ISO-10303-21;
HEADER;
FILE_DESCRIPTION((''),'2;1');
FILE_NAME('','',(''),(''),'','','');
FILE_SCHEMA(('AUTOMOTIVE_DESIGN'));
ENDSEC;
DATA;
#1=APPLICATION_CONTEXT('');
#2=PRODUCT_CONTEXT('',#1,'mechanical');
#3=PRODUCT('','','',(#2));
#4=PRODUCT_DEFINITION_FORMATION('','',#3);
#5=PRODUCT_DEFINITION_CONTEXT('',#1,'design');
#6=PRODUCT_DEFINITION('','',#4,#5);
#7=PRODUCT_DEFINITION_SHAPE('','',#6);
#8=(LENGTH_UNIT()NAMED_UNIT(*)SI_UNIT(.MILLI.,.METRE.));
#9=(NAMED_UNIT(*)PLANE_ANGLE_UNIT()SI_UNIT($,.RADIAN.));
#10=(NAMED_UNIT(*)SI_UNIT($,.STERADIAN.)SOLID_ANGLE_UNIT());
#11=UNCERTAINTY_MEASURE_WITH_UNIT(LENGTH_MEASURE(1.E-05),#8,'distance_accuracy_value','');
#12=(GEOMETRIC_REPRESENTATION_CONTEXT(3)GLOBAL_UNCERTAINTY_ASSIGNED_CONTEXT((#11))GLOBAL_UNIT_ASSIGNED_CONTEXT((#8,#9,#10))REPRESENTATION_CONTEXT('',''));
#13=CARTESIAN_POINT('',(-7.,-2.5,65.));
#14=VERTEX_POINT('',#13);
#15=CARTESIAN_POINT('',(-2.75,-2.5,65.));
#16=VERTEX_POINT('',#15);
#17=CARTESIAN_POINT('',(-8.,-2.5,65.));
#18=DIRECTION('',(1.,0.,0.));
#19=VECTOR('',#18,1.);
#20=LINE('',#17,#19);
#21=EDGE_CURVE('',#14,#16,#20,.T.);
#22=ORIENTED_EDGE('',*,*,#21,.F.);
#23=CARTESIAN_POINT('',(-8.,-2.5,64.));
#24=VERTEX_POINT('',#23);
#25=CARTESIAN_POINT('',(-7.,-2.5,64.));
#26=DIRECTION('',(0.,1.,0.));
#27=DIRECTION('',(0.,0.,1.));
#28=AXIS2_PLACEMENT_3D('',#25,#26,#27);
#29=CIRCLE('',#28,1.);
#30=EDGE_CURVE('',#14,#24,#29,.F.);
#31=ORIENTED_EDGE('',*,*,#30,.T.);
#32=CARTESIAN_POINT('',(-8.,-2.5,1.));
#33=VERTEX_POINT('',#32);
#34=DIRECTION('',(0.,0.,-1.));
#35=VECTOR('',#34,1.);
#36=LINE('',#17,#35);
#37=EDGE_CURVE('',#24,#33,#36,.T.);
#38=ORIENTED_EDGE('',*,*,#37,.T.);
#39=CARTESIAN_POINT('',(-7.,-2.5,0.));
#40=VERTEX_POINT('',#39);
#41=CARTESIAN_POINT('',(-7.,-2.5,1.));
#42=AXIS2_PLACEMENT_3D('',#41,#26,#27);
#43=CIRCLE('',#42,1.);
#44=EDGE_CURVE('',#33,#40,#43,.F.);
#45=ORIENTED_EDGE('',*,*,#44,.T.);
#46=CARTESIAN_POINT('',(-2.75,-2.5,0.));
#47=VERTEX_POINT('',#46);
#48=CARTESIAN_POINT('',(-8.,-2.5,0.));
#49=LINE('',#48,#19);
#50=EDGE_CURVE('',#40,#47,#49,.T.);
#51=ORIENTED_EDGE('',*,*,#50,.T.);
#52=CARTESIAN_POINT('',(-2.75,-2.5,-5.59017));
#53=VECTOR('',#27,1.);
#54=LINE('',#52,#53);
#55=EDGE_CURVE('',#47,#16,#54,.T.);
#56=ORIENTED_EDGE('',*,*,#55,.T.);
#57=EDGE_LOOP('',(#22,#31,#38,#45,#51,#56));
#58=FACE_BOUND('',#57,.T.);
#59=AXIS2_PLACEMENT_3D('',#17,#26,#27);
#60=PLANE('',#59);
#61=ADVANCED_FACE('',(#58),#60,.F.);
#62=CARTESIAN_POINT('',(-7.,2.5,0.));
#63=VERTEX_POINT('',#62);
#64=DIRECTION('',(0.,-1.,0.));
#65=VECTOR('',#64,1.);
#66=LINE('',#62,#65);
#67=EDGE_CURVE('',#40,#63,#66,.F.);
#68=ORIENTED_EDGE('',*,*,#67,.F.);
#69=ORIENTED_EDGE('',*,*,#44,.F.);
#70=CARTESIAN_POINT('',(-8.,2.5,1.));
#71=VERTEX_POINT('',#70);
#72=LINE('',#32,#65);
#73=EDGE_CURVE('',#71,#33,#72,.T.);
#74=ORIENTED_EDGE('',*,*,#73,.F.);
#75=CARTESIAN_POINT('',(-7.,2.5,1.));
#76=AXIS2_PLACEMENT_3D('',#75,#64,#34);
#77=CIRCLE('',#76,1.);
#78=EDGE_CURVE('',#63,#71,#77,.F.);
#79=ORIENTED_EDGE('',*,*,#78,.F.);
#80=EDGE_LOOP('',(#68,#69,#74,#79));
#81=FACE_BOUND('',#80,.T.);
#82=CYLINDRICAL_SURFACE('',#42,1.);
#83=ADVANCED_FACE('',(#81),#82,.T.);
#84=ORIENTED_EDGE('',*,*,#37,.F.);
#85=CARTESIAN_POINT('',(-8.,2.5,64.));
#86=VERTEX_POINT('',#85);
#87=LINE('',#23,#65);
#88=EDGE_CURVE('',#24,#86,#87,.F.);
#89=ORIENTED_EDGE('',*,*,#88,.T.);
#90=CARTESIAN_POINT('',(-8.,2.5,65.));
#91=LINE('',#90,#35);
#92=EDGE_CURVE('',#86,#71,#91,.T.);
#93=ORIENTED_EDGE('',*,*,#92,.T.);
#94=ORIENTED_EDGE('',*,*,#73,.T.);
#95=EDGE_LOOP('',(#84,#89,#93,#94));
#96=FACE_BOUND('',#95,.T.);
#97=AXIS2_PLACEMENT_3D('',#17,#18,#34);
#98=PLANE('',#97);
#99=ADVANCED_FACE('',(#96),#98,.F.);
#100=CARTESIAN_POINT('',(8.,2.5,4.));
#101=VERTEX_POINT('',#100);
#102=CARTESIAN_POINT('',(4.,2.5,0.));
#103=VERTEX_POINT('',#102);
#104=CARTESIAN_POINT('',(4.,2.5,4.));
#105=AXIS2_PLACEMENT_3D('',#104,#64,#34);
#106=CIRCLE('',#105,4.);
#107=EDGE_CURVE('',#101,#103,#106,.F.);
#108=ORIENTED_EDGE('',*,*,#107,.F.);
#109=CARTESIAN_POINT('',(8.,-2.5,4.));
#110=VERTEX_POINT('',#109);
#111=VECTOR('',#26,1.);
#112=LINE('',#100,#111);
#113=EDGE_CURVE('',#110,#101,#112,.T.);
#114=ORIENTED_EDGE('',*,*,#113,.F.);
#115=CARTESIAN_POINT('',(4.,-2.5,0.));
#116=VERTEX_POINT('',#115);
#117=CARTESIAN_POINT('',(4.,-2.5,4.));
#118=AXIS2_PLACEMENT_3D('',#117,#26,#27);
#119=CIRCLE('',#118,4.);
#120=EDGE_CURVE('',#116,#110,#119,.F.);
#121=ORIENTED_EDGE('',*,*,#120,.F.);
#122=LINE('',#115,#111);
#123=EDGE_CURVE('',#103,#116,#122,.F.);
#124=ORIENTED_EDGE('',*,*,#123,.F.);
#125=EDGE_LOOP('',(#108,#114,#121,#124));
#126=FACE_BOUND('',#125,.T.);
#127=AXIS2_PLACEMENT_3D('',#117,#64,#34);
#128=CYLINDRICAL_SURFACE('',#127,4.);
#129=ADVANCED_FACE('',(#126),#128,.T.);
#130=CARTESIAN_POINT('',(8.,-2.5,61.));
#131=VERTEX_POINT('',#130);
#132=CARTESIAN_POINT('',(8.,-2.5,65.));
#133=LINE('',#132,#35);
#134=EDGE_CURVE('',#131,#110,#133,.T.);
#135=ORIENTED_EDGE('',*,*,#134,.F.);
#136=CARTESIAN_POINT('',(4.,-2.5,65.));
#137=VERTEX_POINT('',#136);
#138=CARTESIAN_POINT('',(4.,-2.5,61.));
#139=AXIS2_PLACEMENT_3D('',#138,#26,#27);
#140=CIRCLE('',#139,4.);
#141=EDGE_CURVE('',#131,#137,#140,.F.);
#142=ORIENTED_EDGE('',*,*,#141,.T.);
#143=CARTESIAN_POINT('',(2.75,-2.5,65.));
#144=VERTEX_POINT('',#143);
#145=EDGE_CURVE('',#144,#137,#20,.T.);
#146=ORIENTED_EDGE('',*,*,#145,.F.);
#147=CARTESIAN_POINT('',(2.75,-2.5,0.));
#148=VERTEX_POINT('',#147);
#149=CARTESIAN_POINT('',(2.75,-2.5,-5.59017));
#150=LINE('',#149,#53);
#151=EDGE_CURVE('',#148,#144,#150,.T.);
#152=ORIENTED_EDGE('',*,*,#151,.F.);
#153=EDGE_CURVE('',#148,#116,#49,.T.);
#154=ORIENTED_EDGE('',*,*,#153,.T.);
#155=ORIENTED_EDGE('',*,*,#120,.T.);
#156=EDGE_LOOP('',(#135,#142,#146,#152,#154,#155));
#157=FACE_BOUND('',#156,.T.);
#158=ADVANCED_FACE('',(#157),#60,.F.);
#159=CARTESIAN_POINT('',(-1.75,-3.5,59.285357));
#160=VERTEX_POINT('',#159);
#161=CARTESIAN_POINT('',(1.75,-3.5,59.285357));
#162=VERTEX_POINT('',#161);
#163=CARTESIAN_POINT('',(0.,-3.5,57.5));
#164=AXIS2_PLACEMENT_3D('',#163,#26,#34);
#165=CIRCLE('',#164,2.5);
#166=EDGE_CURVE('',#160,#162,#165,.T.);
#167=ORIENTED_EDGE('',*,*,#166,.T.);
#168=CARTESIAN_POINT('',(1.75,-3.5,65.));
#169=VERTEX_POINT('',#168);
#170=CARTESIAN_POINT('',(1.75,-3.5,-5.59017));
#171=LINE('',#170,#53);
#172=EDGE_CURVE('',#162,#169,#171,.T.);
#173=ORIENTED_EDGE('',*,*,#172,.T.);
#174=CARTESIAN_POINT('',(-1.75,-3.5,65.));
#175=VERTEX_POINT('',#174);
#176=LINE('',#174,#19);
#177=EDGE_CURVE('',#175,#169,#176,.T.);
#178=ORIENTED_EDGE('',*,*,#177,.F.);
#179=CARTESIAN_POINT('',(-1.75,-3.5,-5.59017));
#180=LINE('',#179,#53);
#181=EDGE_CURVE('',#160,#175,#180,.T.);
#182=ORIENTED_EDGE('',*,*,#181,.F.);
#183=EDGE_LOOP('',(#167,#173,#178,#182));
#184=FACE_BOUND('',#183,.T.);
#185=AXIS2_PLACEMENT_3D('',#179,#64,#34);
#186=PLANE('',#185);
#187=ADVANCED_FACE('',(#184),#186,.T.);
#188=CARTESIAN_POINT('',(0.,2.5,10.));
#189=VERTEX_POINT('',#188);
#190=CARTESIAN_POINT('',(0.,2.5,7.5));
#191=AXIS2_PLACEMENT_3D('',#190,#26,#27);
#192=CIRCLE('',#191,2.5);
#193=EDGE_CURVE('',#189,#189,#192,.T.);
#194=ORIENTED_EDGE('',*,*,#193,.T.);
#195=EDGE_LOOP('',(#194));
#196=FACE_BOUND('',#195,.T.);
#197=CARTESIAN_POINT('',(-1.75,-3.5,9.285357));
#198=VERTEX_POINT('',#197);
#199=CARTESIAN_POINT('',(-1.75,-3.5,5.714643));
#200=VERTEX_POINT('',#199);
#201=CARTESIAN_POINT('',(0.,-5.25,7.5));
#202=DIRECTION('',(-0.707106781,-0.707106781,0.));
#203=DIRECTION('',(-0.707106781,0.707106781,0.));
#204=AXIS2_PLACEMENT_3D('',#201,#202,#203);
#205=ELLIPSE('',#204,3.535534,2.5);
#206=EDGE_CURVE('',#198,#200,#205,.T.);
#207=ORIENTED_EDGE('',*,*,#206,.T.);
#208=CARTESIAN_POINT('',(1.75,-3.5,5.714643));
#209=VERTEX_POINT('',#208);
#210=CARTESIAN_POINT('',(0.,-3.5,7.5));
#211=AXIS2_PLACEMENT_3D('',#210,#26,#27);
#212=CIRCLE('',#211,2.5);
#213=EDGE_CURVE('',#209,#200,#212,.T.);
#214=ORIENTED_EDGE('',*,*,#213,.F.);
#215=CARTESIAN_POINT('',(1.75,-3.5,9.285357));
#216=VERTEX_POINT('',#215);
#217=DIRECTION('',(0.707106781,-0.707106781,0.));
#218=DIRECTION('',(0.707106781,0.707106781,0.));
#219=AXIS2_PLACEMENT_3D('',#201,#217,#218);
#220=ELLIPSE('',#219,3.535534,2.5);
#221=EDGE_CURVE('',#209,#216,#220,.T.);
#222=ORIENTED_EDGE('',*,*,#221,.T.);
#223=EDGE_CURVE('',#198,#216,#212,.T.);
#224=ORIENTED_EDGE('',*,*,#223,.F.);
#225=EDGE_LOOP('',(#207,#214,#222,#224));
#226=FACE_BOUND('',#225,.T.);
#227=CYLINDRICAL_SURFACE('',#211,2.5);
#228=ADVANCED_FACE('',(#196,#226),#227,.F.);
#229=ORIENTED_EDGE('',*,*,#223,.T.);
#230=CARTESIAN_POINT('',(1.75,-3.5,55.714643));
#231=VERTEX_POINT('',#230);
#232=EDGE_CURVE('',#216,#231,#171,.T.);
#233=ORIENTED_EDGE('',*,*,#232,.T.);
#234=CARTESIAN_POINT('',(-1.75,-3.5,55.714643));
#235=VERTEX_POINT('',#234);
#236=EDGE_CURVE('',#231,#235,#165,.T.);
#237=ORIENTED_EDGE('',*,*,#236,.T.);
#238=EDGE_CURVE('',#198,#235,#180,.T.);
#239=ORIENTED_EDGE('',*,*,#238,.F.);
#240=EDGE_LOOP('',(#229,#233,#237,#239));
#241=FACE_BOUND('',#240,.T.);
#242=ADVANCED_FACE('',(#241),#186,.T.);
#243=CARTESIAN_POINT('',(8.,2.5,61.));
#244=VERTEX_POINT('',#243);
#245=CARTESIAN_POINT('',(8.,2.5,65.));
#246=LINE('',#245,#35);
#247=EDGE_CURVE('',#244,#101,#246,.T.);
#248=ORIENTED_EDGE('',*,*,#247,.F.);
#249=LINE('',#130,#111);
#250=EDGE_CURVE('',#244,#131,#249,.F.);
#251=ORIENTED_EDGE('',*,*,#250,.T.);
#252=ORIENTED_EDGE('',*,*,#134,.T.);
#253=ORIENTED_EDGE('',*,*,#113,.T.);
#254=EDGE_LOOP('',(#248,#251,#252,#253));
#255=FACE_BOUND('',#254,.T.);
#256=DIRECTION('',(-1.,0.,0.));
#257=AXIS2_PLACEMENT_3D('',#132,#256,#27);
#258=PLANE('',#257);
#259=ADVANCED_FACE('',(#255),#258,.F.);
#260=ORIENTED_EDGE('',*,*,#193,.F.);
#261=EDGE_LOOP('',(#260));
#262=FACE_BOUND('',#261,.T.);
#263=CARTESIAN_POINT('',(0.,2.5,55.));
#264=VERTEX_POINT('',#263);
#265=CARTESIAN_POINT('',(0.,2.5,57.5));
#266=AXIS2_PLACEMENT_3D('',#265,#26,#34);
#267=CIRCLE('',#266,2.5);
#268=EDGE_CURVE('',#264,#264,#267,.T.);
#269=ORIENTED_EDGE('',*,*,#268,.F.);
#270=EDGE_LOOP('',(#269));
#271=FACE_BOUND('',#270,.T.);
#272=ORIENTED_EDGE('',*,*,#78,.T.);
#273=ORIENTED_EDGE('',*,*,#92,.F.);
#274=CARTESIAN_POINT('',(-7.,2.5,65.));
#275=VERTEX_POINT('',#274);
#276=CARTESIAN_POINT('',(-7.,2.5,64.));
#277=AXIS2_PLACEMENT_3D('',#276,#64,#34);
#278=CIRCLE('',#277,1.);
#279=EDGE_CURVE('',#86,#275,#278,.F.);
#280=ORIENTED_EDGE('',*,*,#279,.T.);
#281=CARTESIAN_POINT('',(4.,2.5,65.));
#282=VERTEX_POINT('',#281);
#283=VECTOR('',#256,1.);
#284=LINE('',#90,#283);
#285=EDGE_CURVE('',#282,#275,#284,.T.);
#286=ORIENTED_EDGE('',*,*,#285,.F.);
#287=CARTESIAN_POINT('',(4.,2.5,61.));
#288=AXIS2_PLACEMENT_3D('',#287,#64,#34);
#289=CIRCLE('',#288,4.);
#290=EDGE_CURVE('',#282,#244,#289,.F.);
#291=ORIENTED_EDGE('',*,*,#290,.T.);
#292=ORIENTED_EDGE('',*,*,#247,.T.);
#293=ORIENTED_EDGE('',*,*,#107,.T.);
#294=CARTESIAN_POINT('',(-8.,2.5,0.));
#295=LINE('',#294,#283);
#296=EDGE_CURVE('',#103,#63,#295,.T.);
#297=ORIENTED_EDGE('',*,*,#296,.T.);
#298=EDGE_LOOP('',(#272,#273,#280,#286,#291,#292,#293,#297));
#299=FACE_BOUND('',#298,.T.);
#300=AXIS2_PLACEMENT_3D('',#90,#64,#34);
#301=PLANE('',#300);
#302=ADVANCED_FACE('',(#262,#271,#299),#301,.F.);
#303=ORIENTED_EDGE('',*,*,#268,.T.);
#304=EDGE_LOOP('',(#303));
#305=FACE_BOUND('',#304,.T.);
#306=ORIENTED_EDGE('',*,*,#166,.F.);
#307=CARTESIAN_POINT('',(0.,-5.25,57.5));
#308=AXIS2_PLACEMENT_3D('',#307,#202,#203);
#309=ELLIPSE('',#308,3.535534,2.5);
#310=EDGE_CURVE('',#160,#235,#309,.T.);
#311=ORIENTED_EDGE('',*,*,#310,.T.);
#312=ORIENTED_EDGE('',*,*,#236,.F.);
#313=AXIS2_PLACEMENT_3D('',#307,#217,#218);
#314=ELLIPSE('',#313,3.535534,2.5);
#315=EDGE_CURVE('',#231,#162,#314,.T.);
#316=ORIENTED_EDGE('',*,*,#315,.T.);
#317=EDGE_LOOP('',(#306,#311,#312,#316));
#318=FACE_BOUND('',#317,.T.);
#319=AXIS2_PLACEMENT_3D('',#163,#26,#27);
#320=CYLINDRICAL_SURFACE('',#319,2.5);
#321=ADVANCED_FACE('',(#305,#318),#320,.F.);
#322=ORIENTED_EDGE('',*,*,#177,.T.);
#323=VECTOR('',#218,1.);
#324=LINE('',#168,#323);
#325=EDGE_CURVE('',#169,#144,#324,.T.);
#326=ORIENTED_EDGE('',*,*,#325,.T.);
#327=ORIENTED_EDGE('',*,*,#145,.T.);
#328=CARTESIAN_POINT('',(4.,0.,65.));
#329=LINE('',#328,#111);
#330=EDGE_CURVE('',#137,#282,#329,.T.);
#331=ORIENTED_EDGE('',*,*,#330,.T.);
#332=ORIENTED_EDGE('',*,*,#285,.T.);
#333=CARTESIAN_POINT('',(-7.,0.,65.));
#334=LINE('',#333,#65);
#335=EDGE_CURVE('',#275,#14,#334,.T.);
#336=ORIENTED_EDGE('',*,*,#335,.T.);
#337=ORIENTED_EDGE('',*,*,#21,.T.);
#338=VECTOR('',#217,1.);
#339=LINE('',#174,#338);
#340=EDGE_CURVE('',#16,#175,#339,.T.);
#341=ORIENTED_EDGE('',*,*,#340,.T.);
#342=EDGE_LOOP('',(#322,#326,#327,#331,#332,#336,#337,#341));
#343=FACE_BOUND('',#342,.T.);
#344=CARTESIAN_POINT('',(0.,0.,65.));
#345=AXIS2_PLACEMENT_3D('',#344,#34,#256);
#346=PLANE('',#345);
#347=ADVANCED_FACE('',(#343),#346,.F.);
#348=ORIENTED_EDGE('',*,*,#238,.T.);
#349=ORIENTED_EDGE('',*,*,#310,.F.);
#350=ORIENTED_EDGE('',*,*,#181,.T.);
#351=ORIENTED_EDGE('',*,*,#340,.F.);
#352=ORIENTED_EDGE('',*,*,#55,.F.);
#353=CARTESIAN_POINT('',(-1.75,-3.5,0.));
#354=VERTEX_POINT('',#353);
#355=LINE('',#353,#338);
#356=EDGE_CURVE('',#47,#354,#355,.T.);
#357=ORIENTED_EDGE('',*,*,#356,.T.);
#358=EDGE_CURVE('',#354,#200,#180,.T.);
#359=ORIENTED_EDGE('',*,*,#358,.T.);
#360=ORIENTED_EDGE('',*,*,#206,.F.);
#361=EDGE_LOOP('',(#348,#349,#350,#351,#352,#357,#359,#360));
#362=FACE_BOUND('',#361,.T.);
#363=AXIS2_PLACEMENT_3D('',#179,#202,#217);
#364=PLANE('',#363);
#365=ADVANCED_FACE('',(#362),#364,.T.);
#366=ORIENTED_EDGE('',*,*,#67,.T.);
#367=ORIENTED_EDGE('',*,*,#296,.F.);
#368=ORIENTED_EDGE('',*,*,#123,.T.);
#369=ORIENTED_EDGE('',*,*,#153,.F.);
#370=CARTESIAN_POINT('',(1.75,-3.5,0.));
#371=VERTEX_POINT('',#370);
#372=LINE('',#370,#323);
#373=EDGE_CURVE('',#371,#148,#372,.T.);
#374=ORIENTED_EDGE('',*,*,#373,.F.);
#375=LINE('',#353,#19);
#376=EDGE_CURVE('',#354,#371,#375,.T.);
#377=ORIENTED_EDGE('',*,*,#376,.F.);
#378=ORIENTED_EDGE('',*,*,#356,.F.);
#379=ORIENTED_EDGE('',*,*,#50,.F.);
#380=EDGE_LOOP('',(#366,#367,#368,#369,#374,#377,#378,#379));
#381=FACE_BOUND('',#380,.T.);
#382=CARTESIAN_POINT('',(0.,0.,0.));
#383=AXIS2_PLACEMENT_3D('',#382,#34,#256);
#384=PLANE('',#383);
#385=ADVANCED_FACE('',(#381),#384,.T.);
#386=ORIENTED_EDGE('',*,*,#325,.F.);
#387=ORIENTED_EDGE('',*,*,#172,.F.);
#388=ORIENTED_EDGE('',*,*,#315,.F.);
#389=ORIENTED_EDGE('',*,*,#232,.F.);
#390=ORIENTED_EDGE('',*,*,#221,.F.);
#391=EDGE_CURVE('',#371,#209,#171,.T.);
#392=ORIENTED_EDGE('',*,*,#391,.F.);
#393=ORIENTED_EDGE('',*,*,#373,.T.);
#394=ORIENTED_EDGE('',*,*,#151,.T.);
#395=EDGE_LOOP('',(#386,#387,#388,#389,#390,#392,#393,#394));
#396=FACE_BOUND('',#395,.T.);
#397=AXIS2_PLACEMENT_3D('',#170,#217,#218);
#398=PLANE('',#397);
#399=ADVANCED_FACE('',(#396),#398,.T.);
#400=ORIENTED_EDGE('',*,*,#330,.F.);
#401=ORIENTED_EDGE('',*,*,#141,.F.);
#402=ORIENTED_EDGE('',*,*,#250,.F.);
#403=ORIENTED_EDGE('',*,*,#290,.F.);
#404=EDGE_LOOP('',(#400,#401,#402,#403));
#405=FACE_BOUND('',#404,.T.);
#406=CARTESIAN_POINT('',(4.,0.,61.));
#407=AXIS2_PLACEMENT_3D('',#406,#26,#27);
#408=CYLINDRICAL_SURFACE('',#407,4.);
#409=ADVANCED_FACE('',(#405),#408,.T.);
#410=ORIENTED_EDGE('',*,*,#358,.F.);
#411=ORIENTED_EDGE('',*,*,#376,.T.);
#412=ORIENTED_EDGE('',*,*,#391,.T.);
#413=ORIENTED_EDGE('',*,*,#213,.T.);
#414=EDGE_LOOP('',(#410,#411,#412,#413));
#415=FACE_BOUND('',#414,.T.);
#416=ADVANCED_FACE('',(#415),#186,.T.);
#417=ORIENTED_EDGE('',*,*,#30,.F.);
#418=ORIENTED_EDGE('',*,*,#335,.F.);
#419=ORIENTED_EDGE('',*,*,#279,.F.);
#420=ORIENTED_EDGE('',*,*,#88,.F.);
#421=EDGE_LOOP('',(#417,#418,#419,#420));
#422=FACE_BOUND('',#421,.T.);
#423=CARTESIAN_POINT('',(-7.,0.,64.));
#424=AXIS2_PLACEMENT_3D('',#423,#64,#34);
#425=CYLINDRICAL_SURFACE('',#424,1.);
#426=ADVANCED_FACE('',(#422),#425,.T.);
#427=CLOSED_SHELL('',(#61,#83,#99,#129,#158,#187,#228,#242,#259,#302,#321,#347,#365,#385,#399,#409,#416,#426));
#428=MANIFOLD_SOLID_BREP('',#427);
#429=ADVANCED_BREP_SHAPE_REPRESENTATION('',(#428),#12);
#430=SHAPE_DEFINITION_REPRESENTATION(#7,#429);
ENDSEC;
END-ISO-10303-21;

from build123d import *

# Parameters (mm, degrees)
ESQUISSE1_W             = 16
ESQUISSE1_H             = 5
BOSS_EXTRU_1_DEPTH      = 65
BOSS_EXTRU_3_DEPTH      = 65
ESQUISSE2_R             = 2.5
ENL_V_MAT_EXTRU_1_DEPTH = 66.76473219
CONG_1_R                = 4
CONG_2_R                = 1


with BuildPart() as part:
    # Esquisse1 → Boss.-Extru.1 (new body)
    with BuildSketch(Plane.XY):
        Rectangle(ESQUISSE1_W, ESQUISSE1_H)
    extrude(amount=BOSS_EXTRU_1_DEPTH)

    # Esquisse4 → Boss.-Extru.3 (add)
    with BuildSketch(Plane.XY.offset(65)):
        Polygon((-1.75, -3.5), (1.75, -3.5), (2.75, -2.5), (-2.75, -2.5), align=None)
    extrude(amount=-BOSS_EXTRU_3_DEPTH)

    # Esquisse2 → Enlèv. mat.-Extru.1 (cut, through all)
    with BuildSketch(Plane(origin=(0, 2.5, 0), x_dir=(1, 0, 0), z_dir=(0, 1, 0))):
        with Locations(Location((0, -7.5, 0), (0, 0, 270))):
            Circle(ESQUISSE2_R)
        with Locations(Location((0, -57.5, 0), (0, 0, 225.572995999))):
            Circle(ESQUISSE2_R)
    extrude(amount=-ENL_V_MAT_EXTRU_1_DEPTH, mode=Mode.SUBTRACT)

    # Congé1
    cong_1_edges = [part.edges().sort_by_distance(p)[0] for p in [
        (8, 0, 65),
        (8, 0, 0),
    ]]
    fillet(cong_1_edges, radius=CONG_1_R)

    # Congé2
    cong_2_edges = [part.edges().sort_by_distance(p)[0] for p in [
        (-8, 0, 65),
        (-8, 0, 0),
    ]]
    fillet(cong_2_edges, radius=CONG_2_R)


solid = part.part
